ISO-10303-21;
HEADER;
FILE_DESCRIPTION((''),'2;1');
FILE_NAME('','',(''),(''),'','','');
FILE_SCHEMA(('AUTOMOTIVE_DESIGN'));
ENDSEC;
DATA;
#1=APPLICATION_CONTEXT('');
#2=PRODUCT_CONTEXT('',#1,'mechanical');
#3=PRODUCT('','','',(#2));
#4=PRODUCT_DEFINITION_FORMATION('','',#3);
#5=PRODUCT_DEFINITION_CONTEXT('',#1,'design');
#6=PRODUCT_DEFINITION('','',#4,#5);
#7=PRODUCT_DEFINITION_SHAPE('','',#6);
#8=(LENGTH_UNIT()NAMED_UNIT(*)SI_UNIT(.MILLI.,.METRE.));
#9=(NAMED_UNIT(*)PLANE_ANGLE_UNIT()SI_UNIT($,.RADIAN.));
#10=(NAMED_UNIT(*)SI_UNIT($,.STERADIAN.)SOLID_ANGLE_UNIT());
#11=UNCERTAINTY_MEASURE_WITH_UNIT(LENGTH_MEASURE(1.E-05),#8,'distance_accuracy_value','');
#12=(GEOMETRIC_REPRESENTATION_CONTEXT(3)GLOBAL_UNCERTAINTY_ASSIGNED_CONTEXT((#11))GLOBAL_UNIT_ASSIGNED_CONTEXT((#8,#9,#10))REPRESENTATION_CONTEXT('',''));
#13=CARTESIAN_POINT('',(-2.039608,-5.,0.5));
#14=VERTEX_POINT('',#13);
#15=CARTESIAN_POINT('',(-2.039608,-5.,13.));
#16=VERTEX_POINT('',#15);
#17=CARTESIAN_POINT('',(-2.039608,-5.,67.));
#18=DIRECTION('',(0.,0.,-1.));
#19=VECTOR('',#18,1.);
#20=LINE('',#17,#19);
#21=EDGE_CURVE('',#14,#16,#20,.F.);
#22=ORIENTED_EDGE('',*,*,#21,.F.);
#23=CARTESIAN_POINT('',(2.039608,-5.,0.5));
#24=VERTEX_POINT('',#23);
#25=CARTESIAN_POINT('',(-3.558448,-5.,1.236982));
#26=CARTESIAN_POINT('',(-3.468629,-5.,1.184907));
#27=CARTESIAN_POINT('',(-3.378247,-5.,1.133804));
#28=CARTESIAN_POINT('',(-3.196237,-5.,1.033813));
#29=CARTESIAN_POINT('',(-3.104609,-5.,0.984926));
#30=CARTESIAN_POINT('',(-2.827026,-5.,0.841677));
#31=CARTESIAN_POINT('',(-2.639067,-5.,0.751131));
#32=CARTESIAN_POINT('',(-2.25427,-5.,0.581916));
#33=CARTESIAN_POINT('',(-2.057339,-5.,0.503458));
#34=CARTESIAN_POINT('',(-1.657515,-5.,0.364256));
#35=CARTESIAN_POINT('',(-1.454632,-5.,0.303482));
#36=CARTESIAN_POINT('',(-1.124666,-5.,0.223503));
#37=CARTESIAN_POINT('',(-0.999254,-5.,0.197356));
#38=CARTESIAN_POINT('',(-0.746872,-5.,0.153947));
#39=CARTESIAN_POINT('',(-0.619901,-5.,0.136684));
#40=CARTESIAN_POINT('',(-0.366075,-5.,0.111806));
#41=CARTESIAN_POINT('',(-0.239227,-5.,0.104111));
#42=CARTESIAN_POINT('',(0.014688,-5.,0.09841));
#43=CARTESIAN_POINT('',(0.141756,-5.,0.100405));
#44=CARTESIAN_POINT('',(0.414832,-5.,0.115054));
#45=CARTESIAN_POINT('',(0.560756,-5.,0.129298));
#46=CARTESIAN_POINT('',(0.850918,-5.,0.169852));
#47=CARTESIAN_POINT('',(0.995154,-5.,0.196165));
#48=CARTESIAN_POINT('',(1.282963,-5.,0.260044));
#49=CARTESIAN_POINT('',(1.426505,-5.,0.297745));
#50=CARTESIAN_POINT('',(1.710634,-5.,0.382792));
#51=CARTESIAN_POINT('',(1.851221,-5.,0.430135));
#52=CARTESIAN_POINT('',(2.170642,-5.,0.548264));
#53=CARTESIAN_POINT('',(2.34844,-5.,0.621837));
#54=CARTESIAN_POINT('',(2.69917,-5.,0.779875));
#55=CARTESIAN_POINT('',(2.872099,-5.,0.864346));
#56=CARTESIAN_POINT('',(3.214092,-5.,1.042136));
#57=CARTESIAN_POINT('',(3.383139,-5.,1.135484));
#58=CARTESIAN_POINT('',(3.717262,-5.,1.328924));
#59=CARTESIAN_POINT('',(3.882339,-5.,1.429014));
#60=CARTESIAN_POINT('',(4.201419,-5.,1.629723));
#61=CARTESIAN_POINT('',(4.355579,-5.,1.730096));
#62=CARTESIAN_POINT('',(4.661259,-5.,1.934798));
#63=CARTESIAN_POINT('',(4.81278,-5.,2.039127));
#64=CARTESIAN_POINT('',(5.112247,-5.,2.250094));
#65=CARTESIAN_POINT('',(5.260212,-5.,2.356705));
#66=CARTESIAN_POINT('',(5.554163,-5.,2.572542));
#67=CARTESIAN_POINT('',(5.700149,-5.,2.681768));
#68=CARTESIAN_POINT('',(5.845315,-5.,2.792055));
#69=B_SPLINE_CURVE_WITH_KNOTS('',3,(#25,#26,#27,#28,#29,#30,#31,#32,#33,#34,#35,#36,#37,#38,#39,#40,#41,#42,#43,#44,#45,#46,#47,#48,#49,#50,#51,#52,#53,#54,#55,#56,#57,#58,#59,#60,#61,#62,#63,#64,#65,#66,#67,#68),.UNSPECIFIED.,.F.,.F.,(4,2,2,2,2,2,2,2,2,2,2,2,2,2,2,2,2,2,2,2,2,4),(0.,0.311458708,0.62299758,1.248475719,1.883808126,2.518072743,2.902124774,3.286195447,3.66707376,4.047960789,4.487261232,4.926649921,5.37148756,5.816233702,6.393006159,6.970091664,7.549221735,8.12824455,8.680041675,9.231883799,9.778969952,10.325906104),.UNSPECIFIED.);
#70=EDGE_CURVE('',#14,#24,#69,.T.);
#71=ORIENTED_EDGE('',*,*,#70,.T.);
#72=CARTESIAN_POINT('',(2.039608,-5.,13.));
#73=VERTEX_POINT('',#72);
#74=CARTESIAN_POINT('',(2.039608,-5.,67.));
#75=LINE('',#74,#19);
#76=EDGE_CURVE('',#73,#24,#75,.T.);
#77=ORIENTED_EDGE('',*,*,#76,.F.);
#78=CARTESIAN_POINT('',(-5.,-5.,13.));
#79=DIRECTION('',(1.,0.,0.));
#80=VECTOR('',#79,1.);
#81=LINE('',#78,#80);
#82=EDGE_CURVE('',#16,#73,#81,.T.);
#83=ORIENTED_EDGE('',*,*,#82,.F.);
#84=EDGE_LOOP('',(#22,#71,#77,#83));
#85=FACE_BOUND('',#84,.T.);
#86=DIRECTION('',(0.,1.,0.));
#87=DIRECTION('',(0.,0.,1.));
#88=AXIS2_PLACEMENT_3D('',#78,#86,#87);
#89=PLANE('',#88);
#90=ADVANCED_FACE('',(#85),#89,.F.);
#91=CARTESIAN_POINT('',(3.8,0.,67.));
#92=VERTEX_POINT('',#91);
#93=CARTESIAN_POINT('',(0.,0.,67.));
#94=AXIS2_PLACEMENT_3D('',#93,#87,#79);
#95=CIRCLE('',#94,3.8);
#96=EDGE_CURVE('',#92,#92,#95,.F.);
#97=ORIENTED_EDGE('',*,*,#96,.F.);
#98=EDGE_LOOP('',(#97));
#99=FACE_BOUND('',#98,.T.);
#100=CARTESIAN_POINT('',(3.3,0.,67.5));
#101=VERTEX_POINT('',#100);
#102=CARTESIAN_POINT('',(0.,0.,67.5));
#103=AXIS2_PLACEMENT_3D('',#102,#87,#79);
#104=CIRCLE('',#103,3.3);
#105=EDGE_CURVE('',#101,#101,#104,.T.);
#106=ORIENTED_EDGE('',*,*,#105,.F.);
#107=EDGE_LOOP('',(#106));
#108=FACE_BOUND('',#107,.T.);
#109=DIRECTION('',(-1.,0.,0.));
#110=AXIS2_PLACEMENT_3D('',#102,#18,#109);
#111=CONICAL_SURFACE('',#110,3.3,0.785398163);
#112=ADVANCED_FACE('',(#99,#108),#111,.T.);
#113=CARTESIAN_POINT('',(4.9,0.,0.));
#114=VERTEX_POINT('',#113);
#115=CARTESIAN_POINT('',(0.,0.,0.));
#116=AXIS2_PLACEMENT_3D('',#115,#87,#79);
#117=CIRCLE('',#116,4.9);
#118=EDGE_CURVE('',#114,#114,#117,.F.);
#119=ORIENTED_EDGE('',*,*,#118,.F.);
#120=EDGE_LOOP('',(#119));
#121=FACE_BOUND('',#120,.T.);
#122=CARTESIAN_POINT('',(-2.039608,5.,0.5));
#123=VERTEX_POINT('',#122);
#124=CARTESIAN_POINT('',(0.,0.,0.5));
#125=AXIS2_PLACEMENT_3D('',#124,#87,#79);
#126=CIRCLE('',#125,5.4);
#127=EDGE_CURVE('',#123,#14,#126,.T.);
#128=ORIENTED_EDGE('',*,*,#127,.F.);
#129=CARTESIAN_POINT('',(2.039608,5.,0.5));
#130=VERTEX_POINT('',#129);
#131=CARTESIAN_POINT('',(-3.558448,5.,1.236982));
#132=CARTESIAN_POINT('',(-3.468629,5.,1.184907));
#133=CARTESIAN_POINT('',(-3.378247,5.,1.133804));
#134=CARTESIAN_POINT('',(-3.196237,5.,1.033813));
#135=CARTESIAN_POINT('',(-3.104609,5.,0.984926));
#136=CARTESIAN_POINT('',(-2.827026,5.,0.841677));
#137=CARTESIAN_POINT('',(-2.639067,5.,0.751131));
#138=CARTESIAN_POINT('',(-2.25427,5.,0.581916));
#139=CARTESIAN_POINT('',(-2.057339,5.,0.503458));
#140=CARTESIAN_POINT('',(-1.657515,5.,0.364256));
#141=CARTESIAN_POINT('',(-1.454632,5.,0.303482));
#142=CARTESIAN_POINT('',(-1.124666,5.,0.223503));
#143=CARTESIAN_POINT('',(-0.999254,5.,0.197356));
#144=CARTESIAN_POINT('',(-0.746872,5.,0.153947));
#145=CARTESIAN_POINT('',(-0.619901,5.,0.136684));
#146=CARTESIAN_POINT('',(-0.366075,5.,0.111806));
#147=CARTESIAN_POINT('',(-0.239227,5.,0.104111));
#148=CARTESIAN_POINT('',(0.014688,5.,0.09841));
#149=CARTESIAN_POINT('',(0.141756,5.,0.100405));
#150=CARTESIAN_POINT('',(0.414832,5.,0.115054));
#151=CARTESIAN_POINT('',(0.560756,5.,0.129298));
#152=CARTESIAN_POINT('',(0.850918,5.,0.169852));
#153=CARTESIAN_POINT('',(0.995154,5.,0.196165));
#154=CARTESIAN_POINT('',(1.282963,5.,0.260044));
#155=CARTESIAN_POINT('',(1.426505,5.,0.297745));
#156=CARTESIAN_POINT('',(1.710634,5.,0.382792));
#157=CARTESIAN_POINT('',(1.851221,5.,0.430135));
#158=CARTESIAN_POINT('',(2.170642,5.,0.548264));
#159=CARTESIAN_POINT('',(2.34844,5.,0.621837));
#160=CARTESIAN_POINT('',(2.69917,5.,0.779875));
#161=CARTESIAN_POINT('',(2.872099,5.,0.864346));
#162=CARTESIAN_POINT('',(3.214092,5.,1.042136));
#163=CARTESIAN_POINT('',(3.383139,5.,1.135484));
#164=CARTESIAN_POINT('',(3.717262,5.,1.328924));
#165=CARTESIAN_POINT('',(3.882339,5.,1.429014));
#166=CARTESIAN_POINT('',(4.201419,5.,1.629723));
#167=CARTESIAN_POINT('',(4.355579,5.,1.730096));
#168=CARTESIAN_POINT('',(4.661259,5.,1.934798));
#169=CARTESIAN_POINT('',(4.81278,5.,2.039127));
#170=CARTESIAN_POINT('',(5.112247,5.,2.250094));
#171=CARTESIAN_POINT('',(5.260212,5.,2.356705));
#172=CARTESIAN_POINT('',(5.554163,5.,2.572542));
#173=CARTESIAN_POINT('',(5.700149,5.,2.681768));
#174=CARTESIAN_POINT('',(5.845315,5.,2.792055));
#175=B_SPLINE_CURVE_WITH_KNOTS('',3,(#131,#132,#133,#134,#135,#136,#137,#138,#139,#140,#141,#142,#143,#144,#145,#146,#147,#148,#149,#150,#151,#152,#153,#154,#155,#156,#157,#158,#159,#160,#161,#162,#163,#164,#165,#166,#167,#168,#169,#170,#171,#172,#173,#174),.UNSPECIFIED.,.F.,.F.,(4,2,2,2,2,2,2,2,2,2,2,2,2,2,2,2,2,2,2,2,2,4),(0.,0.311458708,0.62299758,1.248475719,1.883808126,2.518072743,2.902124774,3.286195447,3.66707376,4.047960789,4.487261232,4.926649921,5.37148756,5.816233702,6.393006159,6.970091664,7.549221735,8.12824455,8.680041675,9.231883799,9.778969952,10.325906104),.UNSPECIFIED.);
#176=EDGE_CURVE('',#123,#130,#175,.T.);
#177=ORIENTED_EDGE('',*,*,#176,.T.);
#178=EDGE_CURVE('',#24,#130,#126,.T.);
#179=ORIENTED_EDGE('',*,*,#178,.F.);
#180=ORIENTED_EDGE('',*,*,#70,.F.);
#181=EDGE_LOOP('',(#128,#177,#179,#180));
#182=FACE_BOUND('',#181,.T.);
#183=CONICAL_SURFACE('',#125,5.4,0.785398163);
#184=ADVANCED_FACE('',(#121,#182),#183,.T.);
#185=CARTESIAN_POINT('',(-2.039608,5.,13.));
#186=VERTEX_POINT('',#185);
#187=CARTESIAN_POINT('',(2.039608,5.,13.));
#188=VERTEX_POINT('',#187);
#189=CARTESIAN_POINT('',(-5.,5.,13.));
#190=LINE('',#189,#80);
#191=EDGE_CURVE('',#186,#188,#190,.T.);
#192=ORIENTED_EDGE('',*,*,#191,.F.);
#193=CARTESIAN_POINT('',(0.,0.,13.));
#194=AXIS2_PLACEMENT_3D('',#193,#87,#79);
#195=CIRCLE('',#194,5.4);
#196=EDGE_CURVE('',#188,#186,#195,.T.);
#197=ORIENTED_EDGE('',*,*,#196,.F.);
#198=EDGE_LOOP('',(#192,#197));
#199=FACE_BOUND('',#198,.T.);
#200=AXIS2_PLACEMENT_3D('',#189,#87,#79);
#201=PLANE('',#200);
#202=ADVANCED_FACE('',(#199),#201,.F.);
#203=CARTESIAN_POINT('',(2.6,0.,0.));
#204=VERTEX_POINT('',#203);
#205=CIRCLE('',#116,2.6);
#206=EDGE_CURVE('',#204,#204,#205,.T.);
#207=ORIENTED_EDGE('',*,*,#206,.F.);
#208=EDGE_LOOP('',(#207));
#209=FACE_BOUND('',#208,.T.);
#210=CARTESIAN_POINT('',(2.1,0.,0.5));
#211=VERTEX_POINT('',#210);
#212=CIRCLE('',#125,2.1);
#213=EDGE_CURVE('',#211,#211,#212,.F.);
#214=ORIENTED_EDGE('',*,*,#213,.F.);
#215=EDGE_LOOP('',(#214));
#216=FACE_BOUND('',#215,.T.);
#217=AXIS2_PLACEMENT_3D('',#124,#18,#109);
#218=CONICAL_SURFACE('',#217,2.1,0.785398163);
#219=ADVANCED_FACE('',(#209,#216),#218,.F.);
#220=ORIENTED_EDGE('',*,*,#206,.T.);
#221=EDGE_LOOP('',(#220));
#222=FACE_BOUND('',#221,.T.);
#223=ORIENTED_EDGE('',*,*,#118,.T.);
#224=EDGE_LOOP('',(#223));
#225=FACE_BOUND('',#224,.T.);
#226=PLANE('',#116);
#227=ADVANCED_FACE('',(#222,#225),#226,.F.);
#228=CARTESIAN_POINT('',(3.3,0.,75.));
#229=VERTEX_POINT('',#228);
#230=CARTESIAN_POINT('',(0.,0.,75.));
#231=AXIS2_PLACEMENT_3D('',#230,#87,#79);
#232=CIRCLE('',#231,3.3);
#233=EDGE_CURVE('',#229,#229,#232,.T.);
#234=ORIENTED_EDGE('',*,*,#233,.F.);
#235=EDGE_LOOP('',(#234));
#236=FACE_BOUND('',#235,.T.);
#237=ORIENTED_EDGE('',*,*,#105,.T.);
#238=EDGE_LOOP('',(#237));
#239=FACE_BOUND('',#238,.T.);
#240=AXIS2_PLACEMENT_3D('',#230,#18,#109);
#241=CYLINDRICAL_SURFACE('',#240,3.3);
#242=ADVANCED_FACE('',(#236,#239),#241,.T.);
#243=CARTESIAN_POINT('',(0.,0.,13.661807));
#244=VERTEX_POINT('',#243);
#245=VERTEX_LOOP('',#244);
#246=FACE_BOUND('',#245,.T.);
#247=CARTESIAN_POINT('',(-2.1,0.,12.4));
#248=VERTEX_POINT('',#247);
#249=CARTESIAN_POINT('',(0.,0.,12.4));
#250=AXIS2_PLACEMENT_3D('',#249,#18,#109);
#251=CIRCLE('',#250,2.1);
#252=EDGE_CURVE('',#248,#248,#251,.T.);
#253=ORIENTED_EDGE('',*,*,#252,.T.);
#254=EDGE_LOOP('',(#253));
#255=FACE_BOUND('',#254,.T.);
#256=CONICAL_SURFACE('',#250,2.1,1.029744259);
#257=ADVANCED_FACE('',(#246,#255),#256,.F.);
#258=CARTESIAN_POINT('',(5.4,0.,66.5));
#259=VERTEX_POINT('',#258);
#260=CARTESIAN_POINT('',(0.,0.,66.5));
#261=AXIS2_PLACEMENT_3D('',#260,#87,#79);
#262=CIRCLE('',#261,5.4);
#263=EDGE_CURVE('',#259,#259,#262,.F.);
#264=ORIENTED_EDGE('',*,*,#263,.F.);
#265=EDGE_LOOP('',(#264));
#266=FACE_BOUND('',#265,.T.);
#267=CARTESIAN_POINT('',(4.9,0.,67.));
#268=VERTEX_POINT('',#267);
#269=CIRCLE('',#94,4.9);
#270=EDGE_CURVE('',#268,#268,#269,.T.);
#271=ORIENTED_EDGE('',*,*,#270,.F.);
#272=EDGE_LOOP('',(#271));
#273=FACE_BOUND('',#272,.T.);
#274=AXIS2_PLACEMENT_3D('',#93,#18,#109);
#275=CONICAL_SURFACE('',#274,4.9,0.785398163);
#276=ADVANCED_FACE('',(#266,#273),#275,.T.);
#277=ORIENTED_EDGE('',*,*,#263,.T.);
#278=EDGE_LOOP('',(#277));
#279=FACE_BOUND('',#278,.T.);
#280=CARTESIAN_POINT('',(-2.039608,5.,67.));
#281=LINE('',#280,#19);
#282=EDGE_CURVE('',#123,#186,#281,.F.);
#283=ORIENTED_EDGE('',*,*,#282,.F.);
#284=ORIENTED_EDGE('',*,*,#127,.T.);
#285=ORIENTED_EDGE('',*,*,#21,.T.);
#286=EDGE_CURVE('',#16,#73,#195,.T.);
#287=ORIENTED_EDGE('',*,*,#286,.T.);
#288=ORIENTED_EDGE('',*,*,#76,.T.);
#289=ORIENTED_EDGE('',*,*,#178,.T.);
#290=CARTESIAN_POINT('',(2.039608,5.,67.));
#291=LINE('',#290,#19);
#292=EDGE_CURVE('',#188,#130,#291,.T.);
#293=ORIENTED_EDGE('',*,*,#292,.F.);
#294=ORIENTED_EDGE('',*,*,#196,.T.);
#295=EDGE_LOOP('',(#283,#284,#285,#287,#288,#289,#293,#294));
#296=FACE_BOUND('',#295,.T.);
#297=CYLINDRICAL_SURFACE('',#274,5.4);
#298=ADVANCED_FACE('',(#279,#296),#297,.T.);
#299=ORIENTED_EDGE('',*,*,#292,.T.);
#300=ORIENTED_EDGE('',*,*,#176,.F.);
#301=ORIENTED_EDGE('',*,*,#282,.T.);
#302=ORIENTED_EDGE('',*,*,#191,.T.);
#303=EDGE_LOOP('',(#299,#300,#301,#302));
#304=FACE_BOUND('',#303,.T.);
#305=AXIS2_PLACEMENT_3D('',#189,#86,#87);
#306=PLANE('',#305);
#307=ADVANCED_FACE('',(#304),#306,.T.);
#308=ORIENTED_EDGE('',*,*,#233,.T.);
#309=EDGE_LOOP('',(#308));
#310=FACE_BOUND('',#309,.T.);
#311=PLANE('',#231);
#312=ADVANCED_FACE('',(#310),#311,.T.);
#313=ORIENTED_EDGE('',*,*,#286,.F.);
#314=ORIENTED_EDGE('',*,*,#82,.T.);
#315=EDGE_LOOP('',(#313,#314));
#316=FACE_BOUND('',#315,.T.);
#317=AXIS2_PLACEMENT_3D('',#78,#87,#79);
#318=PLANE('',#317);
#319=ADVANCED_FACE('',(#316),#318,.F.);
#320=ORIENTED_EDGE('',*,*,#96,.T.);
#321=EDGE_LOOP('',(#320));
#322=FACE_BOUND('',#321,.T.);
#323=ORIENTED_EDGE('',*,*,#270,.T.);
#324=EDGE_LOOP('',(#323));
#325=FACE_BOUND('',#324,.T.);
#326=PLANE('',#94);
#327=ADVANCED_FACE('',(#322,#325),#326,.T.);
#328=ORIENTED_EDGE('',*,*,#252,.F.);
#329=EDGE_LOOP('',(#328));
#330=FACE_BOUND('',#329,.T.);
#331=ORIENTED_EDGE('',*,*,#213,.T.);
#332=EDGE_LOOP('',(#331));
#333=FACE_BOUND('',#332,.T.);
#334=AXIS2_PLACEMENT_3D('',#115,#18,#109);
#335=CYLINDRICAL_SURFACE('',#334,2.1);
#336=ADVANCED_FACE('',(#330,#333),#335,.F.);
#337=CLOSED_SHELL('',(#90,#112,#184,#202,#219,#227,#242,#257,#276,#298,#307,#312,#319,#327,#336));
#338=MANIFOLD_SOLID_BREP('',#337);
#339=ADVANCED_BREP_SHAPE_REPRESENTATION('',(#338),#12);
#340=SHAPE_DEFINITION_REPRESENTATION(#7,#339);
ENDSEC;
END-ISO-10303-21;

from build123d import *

# Parameters (mm, degrees)
SKETCH_1_R             = 5.4
EXTRUDE_1_DEPTH        = 67
CHAMFER_1_SIZE         = 0.5
SKETCH_2_R             = 3.3
EXTRUDE_2_DEPTH        = 8
HOLE_WIZARD_M5_1_D     = 4.2
HOLE_WIZARD_M5_1_DEPTH = 12.4
HOLE_WIZARD_M5_1_TIP   = 1.2618073
CHAMFER_3_SIZE         = 0.5
SKETCH_5_W             = 10
SKETCH_5_H             = 3
CUT_EXTRUDE_3_DEPTH    = 13
CHAMFER_4_SIZE         = 0.5


with BuildPart() as part:
    # 草图1 → 拉伸1 (new body)
    with BuildSketch(Plane.XY):
        Circle(SKETCH_1_R)
    extrude(amount=EXTRUDE_1_DEPTH)

    # 倒角1
    chamfer_1_edges = [part.edges().sort_by_distance(p)[0] for p in [
        (-5.4, 0, 0),
        (-5.4, 0, 67),
    ]]
    chamfer(chamfer_1_edges, length=CHAMFER_1_SIZE)

    # 草图2 → 拉伸2 (add)
    with BuildSketch(Plane.XY.offset(67)):
        Circle(SKETCH_2_R)
    extrude(amount=EXTRUDE_2_DEPTH)

    # M5 螺纹孔1
    with Locations(Plane(origin=(0, 0, 0), x_dir=(-1, 0, 0), z_dir=(0, 0, -1))):
        with Locations((0, 0)):
            Hole(HOLE_WIZARD_M5_1_D / 2, depth=HOLE_WIZARD_M5_1_DEPTH)
            with Locations((0, 0, -(HOLE_WIZARD_M5_1_DEPTH + HOLE_WIZARD_M5_1_TIP / 2))):  # 118° drill point
                Cone(0, HOLE_WIZARD_M5_1_D / 2, HOLE_WIZARD_M5_1_TIP, mode=Mode.SUBTRACT)

    # 倒角3
    chamfer_3_edges = [part.edges().sort_by_distance(p)[0] for p in [
        (-2.1, 0, 0),
    ]]
    chamfer(chamfer_3_edges, length=CHAMFER_3_SIZE)

    # 草图5 → 拉伸3 (cut)
    with BuildSketch(Plane.XY):
        with Locations((0, 6.5)):
            Rectangle(SKETCH_5_W, SKETCH_5_H)
    cut_extrude_3 = extrude(amount=CUT_EXTRUDE_3_DEPTH, mode=Mode.SUBTRACT)

    # 镜向1: 拉伸3 across plane
    add(cut_extrude_3.mirror(Plane.ZX), mode=Mode.SUBTRACT)

    # 倒角4
    chamfer_4_edges = [part.edges().sort_by_distance(p)[0] for p in [
        (-3.3, 0, 67),
    ]]
    chamfer(chamfer_4_edges, length=CHAMFER_4_SIZE)


solid = part.part
